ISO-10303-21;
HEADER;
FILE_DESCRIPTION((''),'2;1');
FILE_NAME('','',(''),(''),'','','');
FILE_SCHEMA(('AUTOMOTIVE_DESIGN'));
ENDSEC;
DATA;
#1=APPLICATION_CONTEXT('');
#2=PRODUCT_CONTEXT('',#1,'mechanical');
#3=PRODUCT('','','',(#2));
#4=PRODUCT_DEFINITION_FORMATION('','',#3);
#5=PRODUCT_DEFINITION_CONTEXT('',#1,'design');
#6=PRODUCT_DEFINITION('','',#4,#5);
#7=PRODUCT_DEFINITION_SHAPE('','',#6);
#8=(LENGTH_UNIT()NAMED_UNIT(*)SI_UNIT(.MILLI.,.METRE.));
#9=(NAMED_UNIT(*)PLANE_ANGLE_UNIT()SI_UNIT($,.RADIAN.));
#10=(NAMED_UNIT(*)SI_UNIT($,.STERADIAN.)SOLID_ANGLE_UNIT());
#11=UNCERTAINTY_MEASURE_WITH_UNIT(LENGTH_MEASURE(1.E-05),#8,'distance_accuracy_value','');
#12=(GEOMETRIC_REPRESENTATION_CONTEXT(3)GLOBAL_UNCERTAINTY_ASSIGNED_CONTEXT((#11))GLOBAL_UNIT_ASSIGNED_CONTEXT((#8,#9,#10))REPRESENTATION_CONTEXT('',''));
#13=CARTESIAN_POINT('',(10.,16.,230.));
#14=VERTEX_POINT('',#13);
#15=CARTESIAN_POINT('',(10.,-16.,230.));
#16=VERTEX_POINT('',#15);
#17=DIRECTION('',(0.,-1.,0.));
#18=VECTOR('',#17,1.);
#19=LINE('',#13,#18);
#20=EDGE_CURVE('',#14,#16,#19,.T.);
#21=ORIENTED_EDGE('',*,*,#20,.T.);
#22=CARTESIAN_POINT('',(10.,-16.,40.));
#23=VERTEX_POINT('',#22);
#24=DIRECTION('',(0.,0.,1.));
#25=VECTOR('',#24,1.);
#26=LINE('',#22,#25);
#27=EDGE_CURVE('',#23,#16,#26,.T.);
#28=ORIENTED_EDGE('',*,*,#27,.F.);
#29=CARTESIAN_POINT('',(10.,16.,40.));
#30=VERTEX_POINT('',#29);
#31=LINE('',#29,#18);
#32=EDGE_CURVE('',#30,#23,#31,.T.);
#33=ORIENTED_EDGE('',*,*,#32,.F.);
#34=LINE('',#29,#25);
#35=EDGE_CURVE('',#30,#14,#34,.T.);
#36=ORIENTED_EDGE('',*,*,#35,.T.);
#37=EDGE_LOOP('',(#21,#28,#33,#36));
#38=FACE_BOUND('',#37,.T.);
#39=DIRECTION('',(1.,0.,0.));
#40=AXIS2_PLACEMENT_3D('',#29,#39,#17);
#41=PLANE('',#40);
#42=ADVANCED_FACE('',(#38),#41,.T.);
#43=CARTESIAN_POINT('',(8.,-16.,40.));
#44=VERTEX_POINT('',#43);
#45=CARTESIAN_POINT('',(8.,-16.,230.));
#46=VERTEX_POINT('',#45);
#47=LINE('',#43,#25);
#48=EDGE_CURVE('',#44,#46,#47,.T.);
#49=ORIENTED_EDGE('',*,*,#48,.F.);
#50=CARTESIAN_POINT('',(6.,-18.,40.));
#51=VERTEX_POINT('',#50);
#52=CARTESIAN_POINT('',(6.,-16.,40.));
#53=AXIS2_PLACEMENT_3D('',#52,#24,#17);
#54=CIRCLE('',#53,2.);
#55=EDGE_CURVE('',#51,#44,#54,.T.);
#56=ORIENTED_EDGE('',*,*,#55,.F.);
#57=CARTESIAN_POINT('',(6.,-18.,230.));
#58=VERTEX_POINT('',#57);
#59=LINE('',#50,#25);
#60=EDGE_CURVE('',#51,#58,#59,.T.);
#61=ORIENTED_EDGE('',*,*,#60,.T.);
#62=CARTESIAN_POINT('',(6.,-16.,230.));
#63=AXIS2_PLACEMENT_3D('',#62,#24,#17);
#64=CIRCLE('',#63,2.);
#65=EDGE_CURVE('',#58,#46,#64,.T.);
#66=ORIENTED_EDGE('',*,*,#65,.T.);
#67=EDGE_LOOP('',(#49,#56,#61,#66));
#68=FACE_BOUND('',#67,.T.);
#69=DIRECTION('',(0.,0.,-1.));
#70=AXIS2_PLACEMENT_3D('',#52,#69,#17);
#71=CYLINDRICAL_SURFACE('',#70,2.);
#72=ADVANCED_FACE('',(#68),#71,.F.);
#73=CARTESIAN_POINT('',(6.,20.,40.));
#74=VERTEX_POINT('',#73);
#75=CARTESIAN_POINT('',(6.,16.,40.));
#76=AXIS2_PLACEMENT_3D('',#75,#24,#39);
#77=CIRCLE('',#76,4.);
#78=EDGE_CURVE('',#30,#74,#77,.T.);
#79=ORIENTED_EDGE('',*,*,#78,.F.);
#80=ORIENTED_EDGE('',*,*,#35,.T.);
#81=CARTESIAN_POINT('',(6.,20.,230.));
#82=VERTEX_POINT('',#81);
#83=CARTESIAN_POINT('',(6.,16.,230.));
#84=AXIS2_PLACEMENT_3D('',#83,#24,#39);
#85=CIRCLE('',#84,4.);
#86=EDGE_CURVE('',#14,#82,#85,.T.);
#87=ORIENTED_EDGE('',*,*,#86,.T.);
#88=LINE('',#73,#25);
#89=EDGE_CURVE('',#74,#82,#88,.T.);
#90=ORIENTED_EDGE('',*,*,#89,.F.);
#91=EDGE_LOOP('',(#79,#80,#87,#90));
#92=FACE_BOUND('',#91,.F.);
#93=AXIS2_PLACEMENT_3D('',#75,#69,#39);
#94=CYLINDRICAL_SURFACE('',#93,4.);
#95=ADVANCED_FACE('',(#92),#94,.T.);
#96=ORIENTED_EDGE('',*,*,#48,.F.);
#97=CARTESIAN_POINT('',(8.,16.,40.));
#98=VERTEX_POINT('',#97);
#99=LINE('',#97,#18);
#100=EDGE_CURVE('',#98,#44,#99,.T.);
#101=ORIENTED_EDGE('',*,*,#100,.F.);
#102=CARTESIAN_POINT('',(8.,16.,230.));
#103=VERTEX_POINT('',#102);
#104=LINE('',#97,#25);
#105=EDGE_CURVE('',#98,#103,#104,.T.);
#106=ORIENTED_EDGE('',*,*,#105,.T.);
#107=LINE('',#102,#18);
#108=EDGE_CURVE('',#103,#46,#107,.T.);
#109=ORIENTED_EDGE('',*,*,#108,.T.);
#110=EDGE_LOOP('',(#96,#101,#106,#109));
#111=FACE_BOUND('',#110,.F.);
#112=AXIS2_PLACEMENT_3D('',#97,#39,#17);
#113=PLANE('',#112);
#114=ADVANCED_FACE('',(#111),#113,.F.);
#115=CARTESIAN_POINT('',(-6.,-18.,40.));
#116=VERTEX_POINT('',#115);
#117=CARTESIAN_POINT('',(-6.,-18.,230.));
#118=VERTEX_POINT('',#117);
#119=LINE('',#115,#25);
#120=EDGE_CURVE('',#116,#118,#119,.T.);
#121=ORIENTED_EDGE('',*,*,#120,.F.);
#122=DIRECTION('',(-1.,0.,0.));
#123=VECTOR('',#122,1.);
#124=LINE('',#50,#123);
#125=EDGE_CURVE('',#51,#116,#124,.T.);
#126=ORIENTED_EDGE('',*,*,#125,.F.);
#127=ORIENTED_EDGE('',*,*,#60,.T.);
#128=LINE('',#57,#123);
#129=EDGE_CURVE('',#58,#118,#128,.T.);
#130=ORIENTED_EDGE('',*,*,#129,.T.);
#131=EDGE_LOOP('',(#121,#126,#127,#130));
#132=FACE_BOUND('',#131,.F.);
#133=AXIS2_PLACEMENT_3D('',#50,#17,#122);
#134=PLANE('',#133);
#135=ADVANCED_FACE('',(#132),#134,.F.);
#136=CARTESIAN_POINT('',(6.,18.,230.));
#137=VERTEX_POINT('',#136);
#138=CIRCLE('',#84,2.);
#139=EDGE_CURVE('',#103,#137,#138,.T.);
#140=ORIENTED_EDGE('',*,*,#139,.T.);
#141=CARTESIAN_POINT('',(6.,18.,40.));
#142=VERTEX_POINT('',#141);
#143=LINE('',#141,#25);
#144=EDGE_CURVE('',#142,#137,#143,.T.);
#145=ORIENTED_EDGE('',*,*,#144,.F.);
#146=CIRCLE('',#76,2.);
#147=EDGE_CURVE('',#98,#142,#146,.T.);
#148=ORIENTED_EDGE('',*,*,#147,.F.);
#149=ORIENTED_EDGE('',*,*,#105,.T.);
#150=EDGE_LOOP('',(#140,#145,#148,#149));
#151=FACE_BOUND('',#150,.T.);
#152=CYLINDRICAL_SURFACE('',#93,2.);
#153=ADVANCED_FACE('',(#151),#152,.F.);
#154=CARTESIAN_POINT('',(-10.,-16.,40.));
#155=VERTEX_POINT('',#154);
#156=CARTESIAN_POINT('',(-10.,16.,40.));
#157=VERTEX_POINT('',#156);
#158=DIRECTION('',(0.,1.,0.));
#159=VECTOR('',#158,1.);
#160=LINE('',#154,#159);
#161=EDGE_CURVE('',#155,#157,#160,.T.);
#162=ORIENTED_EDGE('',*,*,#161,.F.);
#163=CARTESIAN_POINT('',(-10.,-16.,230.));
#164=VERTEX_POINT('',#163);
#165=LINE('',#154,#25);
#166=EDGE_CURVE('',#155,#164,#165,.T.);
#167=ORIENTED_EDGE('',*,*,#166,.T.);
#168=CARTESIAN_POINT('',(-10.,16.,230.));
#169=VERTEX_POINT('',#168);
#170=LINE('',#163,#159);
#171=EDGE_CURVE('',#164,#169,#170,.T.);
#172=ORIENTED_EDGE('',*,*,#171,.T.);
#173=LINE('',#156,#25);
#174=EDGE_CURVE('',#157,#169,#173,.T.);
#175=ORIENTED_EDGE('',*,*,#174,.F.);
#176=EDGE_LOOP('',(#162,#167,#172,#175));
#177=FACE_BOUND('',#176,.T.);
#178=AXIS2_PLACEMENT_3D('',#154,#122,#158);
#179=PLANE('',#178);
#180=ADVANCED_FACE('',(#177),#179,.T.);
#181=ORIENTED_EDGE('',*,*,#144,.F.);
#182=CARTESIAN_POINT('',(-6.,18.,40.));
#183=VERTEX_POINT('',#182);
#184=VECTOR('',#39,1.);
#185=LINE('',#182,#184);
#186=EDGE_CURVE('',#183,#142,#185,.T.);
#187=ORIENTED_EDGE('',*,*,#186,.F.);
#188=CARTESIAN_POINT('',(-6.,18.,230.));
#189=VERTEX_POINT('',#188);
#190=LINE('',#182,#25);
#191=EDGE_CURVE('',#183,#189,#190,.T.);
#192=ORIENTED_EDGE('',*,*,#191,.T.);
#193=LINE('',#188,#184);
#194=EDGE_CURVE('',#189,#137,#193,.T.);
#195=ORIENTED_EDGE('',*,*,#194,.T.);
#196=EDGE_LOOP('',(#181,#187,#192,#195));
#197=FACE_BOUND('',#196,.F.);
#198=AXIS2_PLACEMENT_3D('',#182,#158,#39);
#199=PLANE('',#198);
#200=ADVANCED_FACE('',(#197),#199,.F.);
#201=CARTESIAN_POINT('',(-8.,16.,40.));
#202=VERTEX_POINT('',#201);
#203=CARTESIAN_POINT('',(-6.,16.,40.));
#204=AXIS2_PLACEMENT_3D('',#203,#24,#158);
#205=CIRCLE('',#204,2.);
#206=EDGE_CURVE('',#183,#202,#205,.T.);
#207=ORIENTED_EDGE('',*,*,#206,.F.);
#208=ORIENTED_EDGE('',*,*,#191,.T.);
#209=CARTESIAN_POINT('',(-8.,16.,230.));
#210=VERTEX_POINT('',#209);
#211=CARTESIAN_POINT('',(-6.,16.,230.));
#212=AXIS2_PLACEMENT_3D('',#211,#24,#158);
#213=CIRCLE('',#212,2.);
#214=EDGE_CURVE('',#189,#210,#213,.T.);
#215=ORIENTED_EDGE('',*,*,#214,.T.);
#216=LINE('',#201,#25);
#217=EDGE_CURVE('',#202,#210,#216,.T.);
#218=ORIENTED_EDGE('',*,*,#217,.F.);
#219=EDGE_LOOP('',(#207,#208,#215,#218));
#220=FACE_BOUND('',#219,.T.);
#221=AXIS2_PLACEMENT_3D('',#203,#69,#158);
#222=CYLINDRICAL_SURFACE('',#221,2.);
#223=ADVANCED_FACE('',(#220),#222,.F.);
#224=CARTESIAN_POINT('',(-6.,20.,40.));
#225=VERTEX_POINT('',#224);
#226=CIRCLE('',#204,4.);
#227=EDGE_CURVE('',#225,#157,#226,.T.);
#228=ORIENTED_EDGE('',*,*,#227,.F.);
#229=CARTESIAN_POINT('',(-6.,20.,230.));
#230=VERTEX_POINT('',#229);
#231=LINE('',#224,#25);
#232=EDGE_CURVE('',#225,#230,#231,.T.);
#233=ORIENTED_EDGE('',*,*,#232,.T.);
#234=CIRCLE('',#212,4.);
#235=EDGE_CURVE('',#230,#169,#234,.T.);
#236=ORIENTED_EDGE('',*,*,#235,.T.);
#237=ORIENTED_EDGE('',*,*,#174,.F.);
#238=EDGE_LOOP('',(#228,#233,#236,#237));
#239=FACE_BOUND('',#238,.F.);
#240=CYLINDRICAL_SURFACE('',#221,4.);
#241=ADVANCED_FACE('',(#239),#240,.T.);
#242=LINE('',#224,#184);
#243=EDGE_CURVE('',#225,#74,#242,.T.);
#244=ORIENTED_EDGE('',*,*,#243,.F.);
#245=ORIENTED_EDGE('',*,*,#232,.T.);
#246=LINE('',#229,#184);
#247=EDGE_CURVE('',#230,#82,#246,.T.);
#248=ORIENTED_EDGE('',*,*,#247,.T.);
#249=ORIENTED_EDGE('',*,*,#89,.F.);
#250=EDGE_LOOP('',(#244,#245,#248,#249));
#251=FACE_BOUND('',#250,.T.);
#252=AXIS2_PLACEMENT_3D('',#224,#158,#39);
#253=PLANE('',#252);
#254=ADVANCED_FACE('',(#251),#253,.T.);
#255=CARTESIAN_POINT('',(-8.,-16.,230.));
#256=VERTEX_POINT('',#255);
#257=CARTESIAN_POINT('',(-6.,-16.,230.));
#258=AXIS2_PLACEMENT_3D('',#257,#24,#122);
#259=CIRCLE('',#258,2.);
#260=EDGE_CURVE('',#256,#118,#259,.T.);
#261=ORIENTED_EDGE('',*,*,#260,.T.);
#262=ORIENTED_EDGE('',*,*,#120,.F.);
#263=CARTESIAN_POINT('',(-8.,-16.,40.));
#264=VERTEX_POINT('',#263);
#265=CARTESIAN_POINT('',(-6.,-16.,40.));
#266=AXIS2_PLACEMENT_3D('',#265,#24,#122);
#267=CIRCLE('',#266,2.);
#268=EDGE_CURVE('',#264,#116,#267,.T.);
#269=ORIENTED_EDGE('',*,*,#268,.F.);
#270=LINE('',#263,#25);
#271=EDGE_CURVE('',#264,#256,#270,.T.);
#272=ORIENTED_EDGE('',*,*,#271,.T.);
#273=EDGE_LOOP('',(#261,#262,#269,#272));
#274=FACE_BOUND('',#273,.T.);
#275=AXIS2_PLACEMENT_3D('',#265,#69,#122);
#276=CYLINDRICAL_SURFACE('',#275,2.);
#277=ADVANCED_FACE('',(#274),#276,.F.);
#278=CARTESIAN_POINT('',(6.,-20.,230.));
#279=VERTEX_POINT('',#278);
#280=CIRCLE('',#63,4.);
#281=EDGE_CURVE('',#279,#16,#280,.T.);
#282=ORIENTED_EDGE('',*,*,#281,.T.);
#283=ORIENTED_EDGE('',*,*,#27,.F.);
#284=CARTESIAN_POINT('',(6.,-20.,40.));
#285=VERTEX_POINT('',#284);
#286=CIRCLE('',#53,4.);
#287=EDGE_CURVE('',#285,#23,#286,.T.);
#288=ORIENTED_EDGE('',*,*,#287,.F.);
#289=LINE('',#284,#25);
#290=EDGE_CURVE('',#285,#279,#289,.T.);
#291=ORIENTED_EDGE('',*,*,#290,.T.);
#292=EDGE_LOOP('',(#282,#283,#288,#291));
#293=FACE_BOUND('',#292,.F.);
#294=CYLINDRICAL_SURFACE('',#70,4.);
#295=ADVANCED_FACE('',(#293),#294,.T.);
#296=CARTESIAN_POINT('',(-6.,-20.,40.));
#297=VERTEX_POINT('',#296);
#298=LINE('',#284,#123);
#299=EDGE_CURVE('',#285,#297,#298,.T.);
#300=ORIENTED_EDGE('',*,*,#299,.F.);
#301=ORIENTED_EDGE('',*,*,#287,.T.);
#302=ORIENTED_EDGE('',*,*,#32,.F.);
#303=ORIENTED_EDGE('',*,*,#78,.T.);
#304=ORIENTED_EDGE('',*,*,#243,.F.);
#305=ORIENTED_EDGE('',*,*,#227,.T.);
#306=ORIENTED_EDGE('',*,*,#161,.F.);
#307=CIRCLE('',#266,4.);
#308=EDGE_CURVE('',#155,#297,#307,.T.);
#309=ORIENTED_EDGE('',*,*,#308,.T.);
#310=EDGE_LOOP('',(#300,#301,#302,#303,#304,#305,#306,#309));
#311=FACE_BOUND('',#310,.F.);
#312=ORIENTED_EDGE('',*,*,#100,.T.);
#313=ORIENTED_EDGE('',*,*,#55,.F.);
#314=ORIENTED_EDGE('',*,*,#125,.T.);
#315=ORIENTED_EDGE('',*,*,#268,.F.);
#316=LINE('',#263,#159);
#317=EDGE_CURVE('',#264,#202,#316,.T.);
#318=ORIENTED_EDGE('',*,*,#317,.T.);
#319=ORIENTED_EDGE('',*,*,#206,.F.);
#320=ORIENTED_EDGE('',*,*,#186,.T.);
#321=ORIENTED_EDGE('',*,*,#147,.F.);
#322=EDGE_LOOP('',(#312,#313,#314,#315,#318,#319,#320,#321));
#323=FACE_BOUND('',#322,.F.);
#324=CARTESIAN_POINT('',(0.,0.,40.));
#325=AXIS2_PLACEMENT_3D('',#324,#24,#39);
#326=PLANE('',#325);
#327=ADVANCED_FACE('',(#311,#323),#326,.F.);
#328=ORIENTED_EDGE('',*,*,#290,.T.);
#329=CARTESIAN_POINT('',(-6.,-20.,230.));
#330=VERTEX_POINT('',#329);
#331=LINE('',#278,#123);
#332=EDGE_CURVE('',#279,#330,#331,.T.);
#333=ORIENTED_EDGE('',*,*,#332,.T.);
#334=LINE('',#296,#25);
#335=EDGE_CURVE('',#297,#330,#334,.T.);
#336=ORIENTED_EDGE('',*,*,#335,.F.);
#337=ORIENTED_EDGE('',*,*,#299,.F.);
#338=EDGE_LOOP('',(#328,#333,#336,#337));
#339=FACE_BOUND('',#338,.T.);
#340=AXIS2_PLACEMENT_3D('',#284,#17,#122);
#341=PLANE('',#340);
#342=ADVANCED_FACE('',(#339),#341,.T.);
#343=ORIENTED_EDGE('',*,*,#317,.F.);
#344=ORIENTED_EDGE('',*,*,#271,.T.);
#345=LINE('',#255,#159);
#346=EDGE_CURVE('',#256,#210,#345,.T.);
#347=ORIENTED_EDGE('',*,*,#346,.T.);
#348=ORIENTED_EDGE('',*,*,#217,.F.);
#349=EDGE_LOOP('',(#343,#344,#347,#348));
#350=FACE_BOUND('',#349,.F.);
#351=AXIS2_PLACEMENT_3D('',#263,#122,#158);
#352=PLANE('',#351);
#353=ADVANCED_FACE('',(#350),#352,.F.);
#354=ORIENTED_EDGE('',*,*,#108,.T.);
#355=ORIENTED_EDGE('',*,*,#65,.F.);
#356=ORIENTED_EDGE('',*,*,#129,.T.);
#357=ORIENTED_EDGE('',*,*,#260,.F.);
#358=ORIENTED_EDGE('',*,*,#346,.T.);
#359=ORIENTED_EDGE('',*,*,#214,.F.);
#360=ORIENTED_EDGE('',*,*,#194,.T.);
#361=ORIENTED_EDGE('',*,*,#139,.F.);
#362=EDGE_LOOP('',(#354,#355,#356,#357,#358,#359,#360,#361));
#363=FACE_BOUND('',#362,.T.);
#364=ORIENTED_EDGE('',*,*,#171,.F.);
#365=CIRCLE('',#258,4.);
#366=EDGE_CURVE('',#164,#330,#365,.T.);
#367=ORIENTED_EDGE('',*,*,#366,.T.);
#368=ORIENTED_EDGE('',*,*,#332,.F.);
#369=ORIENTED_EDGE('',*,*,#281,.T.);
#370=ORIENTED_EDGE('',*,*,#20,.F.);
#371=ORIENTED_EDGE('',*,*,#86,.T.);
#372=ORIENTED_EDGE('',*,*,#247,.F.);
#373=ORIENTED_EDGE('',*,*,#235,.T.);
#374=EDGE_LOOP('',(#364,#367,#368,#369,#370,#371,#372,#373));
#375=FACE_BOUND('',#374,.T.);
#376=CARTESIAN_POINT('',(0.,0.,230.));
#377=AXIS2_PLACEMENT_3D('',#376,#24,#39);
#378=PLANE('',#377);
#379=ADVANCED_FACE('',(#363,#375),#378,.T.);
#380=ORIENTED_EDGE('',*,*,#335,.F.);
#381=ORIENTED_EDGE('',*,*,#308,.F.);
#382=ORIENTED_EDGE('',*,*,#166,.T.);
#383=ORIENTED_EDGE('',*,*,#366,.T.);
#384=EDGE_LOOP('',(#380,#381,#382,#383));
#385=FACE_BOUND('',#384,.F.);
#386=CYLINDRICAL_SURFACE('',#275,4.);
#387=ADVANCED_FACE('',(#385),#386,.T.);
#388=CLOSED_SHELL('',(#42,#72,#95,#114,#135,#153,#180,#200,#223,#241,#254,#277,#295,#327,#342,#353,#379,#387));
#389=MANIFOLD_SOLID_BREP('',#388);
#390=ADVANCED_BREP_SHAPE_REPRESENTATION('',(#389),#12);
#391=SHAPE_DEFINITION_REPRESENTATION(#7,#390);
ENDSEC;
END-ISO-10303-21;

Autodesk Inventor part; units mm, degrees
ref_plane "YZ Plane" through (0, 0, 0) normal (1, 0, 0) x (0, 1, 0)
ref_plane "Start Plane" through (0, 0, 40) normal (0, 0, 1) x (1, 0, 0)
ref_plane "End Plane" through (0, 0, 230) normal (0, 0, 1) x (1, 0, 0)
sketch "Sketch" plane through (0, 0, 0) normal (0, 0, 1) x (1, 0, 0)
  line L0 (-10, -16) -> (-10, 16)
  line L1 (-6, 20) -> (6, 20)
  line L2 (10, 16) -> (10, -16)
  line L3 (6, -20) -> (-6, -20)
  arc A0 (-10, -16) -> (-6, -20) centre (-6, -16) ccw
  arc A1 (10, 16) -> (6, 20) centre (6, 16) ccw
  arc A2 (-6, 20) -> (-10, 16) centre (-6, 16) ccw
  arc A3 (6, -20) -> (10, -16) centre (6, -16) ccw
  arc A4 (-6, 18) -> (-8, 16) centre (-6, 16) ccw
  line L4 (-6, 18) -> (6, 18)
  arc A5 (8, 16) -> (6, 18) centre (6, 16) ccw
  line L5 (8, 16) -> (8, -16)
  arc A6 (6, -18) -> (8, -16) centre (6, -16) ccw
  line L6 (6, -18) -> (-6, -18)
  arc A7 (-8, -16) -> (-6, -18) centre (-6, -16) ccw
  line L7 (-8, -16) -> (-8, 16)
  line L8 (0, 29.1598) -> (0, -29.1598) construction
  line L9 (-15.1598, 0) -> (15.1598, 0) construction
  dimension "d7" = 4
  dimension "d9" = 20
  dimension "d11" = 40
  dimension "d12" = 2
  dimension "d15" = 10
  dimension "d16" = 20
extrude "Body" add sketch "Sketch" along normal up to surface (190 mm away) from surface at 40
sketch "Sketch3" plane through (0, 0, 0) normal (0, 0, 1) x (1, 0, 0)
  line L0 (0, 0) -> (10, 0)
ref_plane "Work Plane3" through (0, 0, 0) normal (0, -1, 0) x (1, 0, 0)
sketch "Sketch4" plane through (0, 0, 0) normal (0, -1, 0) x (1, 0, 0)
  line L0 (-2, 40) -> (12, 40) projected
  line L1 (-2, 230) -> (12, 230) projected
  dimension "d18" = 190
equation "\"d7\" = G_IR"
equation "\"d9\" = G_W"
equation "\"d11\" = G_H"
equation "\"d12\" = G_T"
equation "\"d15\" = 0.5 * d9"
equation "\"d16\" = 0.5 * d11"
equation "\"d3\" = G_L"
equation "\"G_W\" = 20"
equation "\"G_H\" = 40"
equation "\"G_T\" = 2"
equation "\"G_IR\" = 4"
equation "\"G_L\" = d18"
properties part number "ISO 4019 - 40x20x2 - 190" material "Steel, Mild"
